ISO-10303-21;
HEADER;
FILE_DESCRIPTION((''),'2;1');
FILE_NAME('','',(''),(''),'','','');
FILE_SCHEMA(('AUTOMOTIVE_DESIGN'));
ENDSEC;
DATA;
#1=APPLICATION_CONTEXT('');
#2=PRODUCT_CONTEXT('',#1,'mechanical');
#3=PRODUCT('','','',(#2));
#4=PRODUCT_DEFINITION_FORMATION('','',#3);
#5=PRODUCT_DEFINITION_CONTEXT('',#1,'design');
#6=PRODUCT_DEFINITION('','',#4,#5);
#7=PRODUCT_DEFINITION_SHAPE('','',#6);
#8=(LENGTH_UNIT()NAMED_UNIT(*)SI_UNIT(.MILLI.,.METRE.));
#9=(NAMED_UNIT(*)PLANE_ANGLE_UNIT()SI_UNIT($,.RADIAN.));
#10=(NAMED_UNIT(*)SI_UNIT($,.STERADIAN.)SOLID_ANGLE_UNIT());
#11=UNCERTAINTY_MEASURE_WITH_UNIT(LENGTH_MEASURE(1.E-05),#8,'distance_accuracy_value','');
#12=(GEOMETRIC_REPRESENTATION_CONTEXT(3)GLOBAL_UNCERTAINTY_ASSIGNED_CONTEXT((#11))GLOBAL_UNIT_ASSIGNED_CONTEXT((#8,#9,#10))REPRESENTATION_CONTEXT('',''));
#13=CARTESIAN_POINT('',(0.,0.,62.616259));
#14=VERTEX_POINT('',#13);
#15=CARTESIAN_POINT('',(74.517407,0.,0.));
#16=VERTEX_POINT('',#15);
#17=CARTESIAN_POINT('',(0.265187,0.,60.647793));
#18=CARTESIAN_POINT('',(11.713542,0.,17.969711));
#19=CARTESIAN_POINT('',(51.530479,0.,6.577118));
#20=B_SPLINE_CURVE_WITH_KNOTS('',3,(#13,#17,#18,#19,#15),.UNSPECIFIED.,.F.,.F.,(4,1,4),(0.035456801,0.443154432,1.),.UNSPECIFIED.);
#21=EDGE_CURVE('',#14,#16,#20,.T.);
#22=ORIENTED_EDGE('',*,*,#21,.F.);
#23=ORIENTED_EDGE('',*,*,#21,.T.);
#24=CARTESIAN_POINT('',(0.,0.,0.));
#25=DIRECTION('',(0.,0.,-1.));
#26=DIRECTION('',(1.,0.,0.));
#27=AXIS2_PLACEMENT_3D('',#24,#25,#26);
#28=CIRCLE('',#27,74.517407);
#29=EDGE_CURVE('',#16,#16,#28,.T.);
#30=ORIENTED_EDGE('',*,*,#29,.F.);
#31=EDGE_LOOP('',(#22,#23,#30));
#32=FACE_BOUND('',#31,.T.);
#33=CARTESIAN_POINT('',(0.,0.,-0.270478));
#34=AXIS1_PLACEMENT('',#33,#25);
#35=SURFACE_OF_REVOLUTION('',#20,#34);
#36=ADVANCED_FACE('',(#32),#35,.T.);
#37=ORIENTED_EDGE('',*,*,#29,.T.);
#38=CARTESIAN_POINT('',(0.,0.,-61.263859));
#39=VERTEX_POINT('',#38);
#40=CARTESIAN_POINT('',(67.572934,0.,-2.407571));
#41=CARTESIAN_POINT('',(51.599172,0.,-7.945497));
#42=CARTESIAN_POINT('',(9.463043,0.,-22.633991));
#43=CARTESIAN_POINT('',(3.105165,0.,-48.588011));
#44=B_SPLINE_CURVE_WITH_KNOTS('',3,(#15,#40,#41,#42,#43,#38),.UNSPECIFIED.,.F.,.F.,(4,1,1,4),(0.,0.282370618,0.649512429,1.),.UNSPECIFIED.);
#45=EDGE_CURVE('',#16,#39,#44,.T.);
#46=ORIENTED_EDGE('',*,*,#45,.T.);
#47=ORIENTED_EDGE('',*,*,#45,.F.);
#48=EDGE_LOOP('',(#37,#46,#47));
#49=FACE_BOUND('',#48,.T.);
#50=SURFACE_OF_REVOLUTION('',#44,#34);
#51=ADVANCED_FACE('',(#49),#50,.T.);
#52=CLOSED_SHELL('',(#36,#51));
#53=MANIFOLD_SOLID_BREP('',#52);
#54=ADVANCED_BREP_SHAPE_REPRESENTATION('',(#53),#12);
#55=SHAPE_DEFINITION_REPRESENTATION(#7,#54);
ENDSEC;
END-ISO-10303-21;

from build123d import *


with BuildPart() as f1:
    # F0 (on Front) → F1 (revolve)
    with BuildSketch(Plane.XZ):
        with BuildLine():
            add(Edge.make_bspline(
                [(0, 62.6162588596), (0.2651872733, 60.6477925444), (11.7135422722, 17.9697107745), (51.5304789211, 6.577118232), (74.5174065232, 0)],
                knots=[0.0354568006, 0.0354568006, 0.0354568006, 0.0354568006, 0.4431544323, 1, 1, 1, 1], degree=3))
            Line((0, 62.6162588596), (0, -61.263859272))
            add(Edge.make_bspline(
                [(74.5174065232, 0), (67.5729342509, -2.4075713348), (51.5991722108, -7.9454970531), (9.4630433439, -22.6339905672), (3.1051647158, -48.5880106131), (0, -61.263859272)],
                knots=[0, 0, 0, 0, 0.2823706177, 0.649512429, 1, 1, 1, 1], degree=3))
        make_face()
    revolve(axis=Axis((0, 0, -0.2704784274), (0, 0, -1)))


solid = f1.part
